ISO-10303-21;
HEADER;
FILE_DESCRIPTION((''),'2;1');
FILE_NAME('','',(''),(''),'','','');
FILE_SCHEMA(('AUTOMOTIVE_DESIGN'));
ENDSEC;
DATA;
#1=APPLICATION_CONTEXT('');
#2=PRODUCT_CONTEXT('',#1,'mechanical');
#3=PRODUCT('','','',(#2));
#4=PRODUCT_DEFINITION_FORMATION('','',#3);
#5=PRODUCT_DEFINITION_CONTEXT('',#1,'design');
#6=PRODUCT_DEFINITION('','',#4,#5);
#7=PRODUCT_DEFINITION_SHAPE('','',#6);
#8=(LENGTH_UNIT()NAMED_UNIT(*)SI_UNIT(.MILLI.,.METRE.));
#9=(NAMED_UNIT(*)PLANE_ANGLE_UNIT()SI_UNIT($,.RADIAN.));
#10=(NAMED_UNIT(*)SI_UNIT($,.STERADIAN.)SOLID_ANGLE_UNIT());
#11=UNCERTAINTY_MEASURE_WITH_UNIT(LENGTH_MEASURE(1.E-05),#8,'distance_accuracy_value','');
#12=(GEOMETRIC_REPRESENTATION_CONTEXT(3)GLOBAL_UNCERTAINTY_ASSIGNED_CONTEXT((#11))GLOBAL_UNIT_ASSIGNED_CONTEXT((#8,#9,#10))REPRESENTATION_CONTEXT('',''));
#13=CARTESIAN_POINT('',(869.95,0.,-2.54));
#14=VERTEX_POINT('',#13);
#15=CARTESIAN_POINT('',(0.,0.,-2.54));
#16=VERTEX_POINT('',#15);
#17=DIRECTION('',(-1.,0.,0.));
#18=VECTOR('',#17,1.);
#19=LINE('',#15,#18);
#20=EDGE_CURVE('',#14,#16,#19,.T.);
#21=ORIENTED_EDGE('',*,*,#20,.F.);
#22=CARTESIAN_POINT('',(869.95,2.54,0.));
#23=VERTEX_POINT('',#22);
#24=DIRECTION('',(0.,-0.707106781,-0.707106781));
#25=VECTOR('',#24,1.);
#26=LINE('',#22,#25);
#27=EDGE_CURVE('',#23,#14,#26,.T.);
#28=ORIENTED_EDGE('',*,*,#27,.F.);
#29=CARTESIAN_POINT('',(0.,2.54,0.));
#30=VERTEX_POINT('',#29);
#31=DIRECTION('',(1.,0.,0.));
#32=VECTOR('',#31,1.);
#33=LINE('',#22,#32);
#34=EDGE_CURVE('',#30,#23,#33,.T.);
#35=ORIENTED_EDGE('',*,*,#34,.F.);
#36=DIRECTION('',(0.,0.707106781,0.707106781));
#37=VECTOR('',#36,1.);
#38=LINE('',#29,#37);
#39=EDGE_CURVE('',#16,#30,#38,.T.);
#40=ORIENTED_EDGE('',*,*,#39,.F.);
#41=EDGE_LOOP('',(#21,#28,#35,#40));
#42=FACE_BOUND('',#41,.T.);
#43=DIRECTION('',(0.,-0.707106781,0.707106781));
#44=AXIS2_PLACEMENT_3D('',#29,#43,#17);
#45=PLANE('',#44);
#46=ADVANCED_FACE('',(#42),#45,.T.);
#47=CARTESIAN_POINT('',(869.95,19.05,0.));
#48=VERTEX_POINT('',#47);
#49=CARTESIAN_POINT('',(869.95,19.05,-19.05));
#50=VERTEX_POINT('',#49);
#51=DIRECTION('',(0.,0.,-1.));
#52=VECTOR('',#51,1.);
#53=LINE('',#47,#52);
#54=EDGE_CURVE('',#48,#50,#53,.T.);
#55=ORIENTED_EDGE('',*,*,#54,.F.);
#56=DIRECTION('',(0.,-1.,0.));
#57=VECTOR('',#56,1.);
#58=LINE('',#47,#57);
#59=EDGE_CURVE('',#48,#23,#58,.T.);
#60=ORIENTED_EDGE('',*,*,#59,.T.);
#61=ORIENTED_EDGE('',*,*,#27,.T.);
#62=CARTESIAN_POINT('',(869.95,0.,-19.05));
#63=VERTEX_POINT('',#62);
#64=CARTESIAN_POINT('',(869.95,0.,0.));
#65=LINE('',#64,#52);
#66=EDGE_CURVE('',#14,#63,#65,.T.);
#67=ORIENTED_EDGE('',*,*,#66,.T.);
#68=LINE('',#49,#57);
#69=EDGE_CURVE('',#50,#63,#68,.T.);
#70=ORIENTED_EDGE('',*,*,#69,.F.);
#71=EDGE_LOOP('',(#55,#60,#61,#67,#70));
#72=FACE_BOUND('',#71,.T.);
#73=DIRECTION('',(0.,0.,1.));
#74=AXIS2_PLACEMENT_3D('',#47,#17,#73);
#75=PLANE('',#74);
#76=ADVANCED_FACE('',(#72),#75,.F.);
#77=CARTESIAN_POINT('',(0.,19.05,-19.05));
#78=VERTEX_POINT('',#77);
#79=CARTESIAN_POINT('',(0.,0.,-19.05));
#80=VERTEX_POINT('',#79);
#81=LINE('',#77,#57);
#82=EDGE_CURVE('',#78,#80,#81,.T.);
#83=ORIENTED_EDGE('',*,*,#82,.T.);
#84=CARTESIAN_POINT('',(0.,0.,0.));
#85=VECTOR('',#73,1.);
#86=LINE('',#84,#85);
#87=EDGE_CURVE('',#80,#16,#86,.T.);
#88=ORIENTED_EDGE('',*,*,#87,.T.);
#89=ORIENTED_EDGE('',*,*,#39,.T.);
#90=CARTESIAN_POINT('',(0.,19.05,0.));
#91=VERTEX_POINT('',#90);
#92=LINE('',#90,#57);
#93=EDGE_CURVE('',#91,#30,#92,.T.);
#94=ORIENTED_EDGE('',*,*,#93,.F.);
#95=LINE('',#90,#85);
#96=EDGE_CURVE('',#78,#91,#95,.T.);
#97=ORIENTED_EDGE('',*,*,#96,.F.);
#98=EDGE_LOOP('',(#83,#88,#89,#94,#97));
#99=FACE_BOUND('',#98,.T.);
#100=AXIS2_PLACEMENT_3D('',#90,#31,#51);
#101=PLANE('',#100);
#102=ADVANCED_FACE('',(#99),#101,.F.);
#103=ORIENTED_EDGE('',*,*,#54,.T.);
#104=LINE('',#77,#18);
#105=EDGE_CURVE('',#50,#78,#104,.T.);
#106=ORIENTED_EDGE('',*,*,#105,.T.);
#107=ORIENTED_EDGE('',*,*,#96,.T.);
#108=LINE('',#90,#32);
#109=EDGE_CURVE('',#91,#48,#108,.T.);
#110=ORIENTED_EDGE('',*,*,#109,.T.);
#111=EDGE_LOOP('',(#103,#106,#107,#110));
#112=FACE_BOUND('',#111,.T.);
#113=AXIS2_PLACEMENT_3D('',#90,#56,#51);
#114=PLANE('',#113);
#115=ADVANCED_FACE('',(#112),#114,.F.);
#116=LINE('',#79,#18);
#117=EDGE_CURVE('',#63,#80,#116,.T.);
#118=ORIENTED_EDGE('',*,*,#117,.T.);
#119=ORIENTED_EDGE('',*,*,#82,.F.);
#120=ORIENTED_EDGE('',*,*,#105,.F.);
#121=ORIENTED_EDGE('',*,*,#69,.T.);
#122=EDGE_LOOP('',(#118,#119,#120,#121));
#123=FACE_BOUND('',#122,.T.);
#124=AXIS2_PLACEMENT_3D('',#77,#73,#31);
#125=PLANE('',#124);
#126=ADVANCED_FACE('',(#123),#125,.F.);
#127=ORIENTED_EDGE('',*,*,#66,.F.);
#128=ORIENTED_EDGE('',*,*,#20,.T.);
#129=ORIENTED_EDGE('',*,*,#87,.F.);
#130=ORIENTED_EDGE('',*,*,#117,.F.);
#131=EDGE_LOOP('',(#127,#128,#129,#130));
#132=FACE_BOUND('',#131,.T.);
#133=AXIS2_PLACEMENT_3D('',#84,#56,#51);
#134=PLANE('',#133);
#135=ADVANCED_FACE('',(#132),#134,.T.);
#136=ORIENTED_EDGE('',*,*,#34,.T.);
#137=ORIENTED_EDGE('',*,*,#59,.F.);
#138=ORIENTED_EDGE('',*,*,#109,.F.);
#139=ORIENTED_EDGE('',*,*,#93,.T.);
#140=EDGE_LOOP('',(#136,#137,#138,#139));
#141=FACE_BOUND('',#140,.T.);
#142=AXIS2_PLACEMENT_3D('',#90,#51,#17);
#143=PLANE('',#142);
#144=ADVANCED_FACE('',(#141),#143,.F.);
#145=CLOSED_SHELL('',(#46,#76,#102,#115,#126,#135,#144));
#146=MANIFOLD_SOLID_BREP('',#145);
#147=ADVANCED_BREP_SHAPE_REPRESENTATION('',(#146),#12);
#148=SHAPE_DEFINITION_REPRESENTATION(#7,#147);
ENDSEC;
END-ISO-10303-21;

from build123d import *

# Parameters (mm, degrees)
SKETCH1_W           = 869.95
SKETCH1_H           = 19.05
BOSS_EXTRUDE1_DEPTH = 19.05
CHAMFER1_SIZE       = 2.54


with BuildPart() as part:
    # Sketch1 → Boss-Extrude1 (new body)
    with BuildSketch(Plane(origin=(0, 0, 0), x_dir=(1, 0, 0), z_dir=(0, 1, 0))):
        with Locations((434.975, 9.525)):
            Rectangle(SKETCH1_W, SKETCH1_H)
    extrude(amount=BOSS_EXTRUDE1_DEPTH)

    # Chamfer1
    chamfer1_edges = [part.edges().sort_by_distance(p)[0] for p in [
        (434.975, 0, 0),
    ]]
    chamfer(chamfer1_edges, length=CHAMFER1_SIZE)


solid = part.part
